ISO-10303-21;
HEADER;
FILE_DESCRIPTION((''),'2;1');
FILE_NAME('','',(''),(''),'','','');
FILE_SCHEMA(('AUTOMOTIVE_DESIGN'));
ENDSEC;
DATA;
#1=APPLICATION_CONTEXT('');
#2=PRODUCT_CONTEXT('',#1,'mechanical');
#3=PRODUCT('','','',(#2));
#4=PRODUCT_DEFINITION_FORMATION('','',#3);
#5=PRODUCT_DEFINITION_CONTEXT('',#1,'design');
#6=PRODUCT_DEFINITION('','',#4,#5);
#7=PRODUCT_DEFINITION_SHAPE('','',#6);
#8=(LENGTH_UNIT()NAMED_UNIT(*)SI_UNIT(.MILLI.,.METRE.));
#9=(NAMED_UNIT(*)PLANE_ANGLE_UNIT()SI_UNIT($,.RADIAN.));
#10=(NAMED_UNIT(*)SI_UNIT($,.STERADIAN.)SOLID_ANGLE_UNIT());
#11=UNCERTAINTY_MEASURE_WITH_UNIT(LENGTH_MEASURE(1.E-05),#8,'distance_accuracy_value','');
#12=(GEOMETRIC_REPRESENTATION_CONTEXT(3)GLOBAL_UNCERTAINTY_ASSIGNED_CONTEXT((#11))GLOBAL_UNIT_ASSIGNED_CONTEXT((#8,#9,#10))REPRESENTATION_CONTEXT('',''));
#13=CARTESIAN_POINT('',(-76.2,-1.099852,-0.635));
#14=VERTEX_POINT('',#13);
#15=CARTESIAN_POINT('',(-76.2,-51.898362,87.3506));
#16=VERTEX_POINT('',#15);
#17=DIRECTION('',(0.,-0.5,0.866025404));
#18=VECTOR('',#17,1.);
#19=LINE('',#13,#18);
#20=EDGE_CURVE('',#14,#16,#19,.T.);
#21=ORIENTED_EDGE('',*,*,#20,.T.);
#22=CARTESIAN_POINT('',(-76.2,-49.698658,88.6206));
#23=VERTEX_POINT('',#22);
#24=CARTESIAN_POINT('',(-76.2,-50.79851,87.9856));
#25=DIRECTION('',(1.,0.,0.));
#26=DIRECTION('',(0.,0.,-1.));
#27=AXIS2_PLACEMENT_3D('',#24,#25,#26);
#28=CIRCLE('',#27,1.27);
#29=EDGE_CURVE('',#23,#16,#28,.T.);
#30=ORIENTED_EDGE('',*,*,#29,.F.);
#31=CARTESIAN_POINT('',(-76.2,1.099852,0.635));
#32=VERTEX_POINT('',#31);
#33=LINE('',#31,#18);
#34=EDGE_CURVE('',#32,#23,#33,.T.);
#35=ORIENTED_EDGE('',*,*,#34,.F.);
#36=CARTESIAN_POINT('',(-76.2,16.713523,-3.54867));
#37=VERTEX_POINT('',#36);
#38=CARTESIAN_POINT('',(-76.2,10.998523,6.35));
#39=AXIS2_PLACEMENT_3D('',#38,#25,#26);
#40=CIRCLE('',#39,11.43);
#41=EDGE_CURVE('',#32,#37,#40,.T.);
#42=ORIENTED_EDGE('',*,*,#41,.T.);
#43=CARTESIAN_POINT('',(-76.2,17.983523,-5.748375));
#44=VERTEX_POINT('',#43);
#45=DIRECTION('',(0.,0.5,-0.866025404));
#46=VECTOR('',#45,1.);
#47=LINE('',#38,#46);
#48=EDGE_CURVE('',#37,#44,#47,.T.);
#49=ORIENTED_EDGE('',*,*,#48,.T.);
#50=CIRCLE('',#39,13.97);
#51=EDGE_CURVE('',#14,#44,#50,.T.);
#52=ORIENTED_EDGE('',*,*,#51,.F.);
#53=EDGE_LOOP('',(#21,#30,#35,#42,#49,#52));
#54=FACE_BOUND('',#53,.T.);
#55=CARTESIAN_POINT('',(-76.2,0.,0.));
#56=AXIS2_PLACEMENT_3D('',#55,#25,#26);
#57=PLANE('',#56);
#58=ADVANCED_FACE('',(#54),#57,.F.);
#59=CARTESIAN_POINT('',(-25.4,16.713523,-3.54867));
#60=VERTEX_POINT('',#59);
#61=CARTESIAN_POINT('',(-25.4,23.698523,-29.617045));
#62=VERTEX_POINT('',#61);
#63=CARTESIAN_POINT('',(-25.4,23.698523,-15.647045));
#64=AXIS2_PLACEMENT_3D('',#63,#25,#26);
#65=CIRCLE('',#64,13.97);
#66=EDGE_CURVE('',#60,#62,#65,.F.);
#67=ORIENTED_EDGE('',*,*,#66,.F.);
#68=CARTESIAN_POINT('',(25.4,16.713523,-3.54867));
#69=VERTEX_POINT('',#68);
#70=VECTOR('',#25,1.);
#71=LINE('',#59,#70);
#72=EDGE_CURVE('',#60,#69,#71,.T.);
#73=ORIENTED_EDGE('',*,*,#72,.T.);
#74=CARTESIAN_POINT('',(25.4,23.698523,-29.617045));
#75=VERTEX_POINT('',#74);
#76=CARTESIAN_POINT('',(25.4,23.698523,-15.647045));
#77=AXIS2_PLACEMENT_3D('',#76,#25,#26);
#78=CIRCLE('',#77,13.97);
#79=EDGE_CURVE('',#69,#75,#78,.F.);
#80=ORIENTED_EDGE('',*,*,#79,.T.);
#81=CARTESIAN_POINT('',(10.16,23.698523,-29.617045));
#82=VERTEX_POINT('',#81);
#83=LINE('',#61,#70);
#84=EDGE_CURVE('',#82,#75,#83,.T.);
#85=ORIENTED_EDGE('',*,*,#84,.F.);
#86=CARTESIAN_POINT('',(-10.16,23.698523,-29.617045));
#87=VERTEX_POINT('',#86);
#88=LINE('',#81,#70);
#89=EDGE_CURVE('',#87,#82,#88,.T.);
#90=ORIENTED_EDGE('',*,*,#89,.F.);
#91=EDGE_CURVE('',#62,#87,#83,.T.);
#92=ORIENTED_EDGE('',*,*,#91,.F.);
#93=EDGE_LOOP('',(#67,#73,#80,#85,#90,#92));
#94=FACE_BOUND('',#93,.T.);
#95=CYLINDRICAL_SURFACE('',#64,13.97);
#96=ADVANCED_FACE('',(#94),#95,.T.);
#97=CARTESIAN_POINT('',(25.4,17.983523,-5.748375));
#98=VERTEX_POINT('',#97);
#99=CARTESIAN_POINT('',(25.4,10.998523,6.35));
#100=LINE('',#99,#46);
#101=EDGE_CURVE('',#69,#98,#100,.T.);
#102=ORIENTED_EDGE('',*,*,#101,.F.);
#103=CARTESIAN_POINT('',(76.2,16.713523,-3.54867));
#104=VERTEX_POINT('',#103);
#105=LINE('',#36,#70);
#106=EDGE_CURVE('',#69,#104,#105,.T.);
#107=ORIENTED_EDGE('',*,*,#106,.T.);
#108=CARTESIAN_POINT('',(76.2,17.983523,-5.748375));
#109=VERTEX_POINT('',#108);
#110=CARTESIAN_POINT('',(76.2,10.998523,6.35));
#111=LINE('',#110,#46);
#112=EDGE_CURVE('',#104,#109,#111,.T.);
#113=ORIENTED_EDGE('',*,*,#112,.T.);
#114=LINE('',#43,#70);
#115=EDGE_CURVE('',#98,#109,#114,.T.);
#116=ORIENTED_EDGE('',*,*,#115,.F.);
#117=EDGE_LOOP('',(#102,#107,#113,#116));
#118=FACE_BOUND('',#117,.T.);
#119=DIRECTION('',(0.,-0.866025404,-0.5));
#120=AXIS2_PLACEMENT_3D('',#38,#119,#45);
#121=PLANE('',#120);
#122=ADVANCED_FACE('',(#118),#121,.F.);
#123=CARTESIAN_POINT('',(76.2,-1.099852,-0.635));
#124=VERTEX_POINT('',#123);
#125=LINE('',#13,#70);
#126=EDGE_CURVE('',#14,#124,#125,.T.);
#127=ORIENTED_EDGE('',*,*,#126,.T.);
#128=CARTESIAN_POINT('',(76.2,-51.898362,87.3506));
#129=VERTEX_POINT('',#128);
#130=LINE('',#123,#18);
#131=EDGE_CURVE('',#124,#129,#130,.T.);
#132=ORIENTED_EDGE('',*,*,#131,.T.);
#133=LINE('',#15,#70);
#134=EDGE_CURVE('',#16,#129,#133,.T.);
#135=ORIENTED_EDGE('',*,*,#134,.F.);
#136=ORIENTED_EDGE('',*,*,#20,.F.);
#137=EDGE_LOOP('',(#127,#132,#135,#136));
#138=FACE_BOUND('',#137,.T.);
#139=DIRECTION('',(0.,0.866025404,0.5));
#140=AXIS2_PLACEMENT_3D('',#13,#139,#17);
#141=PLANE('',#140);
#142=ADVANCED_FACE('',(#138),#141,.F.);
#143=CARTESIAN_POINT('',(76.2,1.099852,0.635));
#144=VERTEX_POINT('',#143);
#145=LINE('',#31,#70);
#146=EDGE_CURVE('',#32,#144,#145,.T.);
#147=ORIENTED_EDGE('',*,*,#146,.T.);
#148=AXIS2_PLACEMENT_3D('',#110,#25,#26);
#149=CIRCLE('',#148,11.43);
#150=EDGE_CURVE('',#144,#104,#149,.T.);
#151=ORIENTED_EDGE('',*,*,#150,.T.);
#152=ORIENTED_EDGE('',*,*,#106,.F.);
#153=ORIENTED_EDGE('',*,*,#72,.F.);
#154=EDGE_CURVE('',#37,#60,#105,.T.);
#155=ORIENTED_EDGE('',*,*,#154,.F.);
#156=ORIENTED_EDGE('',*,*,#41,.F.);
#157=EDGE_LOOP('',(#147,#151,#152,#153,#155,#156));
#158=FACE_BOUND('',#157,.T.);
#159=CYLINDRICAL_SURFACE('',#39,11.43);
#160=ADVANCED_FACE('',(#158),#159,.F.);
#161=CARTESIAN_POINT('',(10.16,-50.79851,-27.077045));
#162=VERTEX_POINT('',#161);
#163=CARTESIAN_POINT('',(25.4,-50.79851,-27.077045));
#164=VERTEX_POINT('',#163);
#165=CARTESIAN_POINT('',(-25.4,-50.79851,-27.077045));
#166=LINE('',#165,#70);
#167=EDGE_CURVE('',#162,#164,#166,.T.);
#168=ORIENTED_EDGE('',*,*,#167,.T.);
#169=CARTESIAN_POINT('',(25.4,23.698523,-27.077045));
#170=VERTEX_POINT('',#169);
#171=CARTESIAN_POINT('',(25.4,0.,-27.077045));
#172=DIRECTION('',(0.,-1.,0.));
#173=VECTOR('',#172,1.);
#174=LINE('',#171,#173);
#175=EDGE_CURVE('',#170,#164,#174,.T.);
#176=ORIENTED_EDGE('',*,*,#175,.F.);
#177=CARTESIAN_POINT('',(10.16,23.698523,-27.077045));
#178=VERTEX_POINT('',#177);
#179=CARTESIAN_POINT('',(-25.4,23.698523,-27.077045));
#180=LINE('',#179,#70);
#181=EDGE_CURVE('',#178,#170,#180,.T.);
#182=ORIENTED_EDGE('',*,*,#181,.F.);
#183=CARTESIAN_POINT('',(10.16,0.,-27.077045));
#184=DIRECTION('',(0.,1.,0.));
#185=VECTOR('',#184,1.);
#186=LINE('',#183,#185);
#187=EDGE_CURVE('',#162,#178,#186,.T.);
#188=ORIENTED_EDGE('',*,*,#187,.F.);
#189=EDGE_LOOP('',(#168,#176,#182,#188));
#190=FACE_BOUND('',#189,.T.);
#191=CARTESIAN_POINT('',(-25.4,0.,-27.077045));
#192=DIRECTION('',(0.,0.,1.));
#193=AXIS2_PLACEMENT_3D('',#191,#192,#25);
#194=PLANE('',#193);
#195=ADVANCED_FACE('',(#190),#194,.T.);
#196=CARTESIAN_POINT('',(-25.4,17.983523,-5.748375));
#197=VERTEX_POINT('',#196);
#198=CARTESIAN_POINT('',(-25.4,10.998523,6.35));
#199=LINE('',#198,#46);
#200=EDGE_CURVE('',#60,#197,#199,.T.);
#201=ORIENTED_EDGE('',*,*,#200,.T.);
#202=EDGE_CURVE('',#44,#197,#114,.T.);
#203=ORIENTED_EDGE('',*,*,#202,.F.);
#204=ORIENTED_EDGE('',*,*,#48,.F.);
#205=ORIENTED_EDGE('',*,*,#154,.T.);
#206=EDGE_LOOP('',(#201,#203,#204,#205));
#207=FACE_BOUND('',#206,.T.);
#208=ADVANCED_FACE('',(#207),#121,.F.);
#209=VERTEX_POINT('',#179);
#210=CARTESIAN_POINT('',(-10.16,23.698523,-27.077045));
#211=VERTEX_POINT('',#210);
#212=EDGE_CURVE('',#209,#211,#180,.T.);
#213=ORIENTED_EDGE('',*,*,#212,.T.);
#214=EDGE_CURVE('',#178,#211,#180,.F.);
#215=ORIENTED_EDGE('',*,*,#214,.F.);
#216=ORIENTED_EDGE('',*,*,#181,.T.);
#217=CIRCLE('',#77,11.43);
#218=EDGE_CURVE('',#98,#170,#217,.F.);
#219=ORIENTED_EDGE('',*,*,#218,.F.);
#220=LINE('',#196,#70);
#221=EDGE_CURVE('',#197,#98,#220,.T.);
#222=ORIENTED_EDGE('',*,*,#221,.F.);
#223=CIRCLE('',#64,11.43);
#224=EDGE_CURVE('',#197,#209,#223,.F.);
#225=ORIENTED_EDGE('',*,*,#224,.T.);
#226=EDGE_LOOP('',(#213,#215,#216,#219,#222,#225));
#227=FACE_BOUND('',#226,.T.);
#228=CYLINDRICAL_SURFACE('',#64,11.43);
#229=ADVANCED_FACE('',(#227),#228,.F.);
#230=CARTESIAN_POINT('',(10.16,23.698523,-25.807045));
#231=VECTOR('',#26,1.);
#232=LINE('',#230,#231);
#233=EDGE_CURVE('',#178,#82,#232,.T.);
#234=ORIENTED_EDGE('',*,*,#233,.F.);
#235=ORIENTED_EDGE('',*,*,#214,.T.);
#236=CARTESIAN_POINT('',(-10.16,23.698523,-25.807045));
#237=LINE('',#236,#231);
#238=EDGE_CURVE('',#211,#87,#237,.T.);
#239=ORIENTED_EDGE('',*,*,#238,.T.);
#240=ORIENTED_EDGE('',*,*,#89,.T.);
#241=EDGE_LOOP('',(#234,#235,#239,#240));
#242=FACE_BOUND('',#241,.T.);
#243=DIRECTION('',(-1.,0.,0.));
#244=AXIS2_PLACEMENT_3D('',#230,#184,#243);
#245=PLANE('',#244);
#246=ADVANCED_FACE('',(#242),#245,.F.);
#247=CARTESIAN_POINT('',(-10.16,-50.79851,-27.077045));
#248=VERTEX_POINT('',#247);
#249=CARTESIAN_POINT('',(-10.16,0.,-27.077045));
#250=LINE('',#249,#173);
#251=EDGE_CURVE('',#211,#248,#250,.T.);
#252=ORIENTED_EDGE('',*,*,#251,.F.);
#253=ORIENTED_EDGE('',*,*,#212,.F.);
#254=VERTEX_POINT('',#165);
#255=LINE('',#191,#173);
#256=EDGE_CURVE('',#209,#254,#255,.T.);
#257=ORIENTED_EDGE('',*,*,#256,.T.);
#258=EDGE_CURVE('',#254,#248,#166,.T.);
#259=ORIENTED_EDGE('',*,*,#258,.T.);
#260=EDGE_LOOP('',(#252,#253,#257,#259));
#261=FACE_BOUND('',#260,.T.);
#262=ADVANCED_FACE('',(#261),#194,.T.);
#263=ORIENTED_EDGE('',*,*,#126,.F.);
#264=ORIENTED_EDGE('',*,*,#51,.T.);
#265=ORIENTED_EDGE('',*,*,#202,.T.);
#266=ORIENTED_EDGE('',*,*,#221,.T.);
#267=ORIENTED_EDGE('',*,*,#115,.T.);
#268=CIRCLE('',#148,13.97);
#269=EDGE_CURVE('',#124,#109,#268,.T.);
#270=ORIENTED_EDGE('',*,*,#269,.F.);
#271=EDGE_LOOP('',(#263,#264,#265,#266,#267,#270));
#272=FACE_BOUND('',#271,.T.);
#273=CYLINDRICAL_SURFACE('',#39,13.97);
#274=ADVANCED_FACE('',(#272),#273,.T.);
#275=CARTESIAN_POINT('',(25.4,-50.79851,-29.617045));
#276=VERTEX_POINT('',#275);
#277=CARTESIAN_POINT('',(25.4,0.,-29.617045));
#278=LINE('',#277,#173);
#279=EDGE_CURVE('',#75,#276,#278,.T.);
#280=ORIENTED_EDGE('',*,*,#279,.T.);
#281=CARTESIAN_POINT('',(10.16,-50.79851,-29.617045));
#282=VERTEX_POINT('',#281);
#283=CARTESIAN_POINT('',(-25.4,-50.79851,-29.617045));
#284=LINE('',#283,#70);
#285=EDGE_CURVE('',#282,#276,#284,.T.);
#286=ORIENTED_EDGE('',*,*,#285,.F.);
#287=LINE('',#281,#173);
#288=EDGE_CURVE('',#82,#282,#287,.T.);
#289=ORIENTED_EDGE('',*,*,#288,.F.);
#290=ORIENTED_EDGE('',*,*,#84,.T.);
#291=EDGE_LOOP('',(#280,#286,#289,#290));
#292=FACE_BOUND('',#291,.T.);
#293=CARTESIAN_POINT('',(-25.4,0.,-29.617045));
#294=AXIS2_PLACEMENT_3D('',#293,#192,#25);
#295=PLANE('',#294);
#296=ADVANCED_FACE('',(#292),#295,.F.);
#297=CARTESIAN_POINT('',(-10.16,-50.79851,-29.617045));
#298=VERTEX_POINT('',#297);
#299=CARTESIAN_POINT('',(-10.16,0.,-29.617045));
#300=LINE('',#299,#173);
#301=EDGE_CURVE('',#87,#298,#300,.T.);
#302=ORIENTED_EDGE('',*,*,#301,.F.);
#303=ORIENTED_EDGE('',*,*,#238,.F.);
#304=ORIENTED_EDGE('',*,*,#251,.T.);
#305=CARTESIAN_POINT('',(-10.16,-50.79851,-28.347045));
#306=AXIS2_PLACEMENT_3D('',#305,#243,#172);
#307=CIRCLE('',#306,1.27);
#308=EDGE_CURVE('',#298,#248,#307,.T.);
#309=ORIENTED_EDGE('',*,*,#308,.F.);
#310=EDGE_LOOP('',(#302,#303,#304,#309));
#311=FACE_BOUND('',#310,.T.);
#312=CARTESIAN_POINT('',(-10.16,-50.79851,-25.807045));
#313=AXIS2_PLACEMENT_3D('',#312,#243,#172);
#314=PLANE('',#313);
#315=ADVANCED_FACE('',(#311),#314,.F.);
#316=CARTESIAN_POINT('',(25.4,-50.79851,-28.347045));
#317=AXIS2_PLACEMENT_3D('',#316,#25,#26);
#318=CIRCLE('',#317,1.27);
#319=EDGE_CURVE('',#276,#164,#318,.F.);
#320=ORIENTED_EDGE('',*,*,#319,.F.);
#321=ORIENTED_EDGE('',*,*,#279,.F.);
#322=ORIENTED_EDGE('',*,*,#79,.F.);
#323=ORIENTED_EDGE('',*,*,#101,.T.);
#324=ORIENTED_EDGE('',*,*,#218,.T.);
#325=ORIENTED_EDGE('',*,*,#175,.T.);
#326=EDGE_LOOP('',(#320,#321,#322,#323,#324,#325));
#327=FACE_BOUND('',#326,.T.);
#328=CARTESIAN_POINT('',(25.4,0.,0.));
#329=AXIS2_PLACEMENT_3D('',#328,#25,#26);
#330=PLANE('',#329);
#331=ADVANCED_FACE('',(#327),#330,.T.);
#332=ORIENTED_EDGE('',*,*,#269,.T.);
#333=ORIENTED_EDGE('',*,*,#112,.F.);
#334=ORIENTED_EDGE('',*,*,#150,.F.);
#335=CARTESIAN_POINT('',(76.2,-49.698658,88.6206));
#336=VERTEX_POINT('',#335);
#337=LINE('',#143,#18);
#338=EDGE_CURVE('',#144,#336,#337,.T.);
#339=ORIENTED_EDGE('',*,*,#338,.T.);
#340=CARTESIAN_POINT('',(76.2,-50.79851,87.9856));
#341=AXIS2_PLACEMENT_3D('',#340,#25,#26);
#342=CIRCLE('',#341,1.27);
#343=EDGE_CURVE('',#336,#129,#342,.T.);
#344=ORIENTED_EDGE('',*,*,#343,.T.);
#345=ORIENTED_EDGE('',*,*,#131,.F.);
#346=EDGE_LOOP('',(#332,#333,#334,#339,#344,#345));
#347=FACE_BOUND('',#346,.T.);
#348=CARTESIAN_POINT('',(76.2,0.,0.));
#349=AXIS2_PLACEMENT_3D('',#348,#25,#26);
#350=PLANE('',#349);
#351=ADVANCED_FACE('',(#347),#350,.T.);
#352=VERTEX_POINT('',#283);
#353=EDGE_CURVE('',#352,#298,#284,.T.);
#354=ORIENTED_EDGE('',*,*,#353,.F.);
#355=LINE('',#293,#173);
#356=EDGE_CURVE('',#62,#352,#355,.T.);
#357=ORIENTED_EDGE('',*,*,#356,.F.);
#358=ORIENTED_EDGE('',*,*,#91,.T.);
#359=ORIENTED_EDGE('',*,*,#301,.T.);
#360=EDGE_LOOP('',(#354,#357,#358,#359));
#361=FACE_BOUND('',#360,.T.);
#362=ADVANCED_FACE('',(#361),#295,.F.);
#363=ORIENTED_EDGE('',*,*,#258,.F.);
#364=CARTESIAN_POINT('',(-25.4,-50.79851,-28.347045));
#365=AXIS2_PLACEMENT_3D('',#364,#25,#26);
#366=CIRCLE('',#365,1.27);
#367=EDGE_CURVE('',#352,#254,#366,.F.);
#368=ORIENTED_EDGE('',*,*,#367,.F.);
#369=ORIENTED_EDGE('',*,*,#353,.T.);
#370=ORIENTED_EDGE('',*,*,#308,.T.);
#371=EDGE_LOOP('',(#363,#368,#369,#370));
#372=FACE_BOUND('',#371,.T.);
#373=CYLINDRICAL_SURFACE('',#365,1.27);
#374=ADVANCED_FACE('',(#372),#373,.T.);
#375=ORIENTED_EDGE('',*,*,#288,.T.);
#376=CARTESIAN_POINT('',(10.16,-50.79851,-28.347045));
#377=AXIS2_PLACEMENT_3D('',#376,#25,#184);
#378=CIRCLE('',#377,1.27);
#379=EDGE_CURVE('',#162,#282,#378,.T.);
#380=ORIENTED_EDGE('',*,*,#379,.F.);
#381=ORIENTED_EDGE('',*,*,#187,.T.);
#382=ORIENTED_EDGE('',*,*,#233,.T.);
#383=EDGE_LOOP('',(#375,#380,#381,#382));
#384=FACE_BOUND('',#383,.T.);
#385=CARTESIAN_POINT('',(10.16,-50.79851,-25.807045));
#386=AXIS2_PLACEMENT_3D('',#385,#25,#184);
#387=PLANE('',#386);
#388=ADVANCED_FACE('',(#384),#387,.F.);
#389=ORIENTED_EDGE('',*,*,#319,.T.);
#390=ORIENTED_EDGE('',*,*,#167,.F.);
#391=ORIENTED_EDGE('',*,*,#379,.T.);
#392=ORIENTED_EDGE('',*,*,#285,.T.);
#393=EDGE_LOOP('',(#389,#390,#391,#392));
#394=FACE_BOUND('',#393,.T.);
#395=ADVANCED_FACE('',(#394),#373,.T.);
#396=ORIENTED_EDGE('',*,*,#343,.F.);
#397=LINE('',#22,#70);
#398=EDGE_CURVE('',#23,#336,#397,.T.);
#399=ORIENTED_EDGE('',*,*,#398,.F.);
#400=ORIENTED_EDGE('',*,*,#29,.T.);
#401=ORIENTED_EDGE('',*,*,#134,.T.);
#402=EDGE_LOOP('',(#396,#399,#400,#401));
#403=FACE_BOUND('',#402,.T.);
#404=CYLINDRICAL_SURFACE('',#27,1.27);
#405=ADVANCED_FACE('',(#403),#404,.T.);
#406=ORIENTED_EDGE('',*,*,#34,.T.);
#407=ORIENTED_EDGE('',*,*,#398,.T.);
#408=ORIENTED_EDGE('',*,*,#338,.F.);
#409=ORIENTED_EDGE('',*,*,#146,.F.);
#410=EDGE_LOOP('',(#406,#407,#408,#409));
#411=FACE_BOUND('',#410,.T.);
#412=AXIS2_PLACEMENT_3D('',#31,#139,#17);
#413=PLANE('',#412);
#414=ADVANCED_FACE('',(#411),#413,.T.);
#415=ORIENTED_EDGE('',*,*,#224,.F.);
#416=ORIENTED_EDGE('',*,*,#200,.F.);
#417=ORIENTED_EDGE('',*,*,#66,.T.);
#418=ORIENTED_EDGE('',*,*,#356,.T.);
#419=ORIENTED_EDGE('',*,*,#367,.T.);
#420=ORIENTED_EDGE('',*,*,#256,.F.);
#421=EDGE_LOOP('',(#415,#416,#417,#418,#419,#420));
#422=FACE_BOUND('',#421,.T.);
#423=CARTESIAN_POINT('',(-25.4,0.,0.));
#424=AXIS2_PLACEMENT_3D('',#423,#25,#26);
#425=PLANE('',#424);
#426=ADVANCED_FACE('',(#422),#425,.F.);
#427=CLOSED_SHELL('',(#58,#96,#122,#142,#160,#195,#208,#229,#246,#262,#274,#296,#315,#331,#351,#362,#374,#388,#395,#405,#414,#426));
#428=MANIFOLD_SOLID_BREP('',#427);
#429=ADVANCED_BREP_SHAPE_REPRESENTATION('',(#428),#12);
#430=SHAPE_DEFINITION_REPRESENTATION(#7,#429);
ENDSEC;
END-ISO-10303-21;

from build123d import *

# Parameters (mm, degrees)
BOSS_EXTRUDE1_DEPTH      = 76.2
BOSS_EXTRUDE1_DEPTH_BACK = 76.2
BOSS_EXTRUDE3_DEPTH      = 25.4
BOSS_EXTRUDE3_DEPTH_BACK = 25.4
CUT_EXTRUDE2_DEPTH       = 3.81


with BuildPart() as part:
    # Sketch1 → Boss-Extrude1 (new, two sides: drawn at the far end of the back side and taken through both)
    with BuildSketch(Plane.YZ.offset(-BOSS_EXTRUDE1_DEPTH_BACK)):
        with BuildLine():
            Line((17.983522628, -5.748374891), (16.713522628, -3.548670365))
            ThreePointArc((16.713522628, -3.548670365), (8.040220943, -4.690532194), (1.099852263, 0.635))
            Line((1.099852263, 0.635), (-49.698657582, 88.6206))
            ThreePointArc((-49.698657582, 88.6206), (-51.433509845, 89.085452263), (-51.898362108, 87.3506))
            Line((-51.898362108, 87.3506), (-1.099852263, -0.635))
            ThreePointArc((-1.099852263, -0.635), (7.382820568, -7.143983793), (17.983522628, -5.748374891))
        make_face()
    extrude(amount=BOSS_EXTRUDE1_DEPTH + BOSS_EXTRUDE1_DEPTH_BACK)

    # Sketch1<5> → Boss-Extrude3 (add, two sides: drawn at the far end of the back side and taken through both)
    with BuildSketch(Plane.YZ.offset(-BOSS_EXTRUDE3_DEPTH_BACK)):
        with BuildLine():
            Line((-50.798509845, -29.617045256), (23.698522628, -29.617045256))
            ThreePointArc((23.698522628, -29.617045256), (37.192506421, -12.031343196), (16.713522628, -3.548670365))
            Line((16.713522628, -3.548670365), (17.983522628, -5.748374891))
            ThreePointArc((17.983522628, -5.748374891), (34.739054823, -12.688743571), (23.698522628, -27.077045256))
            Line((23.698522628, -27.077045256), (-50.798509845, -27.077045256))
            ThreePointArc((-50.798509845, -27.077045256), (-52.068509845, -28.347045256), (-50.798509845, -29.617045256))
        make_face()
    extrude(amount=BOSS_EXTRUDE3_DEPTH + BOSS_EXTRUDE3_DEPTH_BACK)

    # Sketch5 → Cut-Extrude2 (cut)
    with BuildSketch(Plane(origin=(0, 0, -29.617045256), x_dir=(1, 0, 0), z_dir=(0, 0, -1))):
        Polygon((10.16, 50.798509845), (10.16, -23.698522628), (-10.16, -23.698522628), (-10.16, 50.798509845), (-10.16, 53.498166753), (0, 53.498166753), (10.16, 53.498166753), align=None)
    extrude(amount=-CUT_EXTRUDE2_DEPTH, mode=Mode.SUBTRACT)


solid = part.part
